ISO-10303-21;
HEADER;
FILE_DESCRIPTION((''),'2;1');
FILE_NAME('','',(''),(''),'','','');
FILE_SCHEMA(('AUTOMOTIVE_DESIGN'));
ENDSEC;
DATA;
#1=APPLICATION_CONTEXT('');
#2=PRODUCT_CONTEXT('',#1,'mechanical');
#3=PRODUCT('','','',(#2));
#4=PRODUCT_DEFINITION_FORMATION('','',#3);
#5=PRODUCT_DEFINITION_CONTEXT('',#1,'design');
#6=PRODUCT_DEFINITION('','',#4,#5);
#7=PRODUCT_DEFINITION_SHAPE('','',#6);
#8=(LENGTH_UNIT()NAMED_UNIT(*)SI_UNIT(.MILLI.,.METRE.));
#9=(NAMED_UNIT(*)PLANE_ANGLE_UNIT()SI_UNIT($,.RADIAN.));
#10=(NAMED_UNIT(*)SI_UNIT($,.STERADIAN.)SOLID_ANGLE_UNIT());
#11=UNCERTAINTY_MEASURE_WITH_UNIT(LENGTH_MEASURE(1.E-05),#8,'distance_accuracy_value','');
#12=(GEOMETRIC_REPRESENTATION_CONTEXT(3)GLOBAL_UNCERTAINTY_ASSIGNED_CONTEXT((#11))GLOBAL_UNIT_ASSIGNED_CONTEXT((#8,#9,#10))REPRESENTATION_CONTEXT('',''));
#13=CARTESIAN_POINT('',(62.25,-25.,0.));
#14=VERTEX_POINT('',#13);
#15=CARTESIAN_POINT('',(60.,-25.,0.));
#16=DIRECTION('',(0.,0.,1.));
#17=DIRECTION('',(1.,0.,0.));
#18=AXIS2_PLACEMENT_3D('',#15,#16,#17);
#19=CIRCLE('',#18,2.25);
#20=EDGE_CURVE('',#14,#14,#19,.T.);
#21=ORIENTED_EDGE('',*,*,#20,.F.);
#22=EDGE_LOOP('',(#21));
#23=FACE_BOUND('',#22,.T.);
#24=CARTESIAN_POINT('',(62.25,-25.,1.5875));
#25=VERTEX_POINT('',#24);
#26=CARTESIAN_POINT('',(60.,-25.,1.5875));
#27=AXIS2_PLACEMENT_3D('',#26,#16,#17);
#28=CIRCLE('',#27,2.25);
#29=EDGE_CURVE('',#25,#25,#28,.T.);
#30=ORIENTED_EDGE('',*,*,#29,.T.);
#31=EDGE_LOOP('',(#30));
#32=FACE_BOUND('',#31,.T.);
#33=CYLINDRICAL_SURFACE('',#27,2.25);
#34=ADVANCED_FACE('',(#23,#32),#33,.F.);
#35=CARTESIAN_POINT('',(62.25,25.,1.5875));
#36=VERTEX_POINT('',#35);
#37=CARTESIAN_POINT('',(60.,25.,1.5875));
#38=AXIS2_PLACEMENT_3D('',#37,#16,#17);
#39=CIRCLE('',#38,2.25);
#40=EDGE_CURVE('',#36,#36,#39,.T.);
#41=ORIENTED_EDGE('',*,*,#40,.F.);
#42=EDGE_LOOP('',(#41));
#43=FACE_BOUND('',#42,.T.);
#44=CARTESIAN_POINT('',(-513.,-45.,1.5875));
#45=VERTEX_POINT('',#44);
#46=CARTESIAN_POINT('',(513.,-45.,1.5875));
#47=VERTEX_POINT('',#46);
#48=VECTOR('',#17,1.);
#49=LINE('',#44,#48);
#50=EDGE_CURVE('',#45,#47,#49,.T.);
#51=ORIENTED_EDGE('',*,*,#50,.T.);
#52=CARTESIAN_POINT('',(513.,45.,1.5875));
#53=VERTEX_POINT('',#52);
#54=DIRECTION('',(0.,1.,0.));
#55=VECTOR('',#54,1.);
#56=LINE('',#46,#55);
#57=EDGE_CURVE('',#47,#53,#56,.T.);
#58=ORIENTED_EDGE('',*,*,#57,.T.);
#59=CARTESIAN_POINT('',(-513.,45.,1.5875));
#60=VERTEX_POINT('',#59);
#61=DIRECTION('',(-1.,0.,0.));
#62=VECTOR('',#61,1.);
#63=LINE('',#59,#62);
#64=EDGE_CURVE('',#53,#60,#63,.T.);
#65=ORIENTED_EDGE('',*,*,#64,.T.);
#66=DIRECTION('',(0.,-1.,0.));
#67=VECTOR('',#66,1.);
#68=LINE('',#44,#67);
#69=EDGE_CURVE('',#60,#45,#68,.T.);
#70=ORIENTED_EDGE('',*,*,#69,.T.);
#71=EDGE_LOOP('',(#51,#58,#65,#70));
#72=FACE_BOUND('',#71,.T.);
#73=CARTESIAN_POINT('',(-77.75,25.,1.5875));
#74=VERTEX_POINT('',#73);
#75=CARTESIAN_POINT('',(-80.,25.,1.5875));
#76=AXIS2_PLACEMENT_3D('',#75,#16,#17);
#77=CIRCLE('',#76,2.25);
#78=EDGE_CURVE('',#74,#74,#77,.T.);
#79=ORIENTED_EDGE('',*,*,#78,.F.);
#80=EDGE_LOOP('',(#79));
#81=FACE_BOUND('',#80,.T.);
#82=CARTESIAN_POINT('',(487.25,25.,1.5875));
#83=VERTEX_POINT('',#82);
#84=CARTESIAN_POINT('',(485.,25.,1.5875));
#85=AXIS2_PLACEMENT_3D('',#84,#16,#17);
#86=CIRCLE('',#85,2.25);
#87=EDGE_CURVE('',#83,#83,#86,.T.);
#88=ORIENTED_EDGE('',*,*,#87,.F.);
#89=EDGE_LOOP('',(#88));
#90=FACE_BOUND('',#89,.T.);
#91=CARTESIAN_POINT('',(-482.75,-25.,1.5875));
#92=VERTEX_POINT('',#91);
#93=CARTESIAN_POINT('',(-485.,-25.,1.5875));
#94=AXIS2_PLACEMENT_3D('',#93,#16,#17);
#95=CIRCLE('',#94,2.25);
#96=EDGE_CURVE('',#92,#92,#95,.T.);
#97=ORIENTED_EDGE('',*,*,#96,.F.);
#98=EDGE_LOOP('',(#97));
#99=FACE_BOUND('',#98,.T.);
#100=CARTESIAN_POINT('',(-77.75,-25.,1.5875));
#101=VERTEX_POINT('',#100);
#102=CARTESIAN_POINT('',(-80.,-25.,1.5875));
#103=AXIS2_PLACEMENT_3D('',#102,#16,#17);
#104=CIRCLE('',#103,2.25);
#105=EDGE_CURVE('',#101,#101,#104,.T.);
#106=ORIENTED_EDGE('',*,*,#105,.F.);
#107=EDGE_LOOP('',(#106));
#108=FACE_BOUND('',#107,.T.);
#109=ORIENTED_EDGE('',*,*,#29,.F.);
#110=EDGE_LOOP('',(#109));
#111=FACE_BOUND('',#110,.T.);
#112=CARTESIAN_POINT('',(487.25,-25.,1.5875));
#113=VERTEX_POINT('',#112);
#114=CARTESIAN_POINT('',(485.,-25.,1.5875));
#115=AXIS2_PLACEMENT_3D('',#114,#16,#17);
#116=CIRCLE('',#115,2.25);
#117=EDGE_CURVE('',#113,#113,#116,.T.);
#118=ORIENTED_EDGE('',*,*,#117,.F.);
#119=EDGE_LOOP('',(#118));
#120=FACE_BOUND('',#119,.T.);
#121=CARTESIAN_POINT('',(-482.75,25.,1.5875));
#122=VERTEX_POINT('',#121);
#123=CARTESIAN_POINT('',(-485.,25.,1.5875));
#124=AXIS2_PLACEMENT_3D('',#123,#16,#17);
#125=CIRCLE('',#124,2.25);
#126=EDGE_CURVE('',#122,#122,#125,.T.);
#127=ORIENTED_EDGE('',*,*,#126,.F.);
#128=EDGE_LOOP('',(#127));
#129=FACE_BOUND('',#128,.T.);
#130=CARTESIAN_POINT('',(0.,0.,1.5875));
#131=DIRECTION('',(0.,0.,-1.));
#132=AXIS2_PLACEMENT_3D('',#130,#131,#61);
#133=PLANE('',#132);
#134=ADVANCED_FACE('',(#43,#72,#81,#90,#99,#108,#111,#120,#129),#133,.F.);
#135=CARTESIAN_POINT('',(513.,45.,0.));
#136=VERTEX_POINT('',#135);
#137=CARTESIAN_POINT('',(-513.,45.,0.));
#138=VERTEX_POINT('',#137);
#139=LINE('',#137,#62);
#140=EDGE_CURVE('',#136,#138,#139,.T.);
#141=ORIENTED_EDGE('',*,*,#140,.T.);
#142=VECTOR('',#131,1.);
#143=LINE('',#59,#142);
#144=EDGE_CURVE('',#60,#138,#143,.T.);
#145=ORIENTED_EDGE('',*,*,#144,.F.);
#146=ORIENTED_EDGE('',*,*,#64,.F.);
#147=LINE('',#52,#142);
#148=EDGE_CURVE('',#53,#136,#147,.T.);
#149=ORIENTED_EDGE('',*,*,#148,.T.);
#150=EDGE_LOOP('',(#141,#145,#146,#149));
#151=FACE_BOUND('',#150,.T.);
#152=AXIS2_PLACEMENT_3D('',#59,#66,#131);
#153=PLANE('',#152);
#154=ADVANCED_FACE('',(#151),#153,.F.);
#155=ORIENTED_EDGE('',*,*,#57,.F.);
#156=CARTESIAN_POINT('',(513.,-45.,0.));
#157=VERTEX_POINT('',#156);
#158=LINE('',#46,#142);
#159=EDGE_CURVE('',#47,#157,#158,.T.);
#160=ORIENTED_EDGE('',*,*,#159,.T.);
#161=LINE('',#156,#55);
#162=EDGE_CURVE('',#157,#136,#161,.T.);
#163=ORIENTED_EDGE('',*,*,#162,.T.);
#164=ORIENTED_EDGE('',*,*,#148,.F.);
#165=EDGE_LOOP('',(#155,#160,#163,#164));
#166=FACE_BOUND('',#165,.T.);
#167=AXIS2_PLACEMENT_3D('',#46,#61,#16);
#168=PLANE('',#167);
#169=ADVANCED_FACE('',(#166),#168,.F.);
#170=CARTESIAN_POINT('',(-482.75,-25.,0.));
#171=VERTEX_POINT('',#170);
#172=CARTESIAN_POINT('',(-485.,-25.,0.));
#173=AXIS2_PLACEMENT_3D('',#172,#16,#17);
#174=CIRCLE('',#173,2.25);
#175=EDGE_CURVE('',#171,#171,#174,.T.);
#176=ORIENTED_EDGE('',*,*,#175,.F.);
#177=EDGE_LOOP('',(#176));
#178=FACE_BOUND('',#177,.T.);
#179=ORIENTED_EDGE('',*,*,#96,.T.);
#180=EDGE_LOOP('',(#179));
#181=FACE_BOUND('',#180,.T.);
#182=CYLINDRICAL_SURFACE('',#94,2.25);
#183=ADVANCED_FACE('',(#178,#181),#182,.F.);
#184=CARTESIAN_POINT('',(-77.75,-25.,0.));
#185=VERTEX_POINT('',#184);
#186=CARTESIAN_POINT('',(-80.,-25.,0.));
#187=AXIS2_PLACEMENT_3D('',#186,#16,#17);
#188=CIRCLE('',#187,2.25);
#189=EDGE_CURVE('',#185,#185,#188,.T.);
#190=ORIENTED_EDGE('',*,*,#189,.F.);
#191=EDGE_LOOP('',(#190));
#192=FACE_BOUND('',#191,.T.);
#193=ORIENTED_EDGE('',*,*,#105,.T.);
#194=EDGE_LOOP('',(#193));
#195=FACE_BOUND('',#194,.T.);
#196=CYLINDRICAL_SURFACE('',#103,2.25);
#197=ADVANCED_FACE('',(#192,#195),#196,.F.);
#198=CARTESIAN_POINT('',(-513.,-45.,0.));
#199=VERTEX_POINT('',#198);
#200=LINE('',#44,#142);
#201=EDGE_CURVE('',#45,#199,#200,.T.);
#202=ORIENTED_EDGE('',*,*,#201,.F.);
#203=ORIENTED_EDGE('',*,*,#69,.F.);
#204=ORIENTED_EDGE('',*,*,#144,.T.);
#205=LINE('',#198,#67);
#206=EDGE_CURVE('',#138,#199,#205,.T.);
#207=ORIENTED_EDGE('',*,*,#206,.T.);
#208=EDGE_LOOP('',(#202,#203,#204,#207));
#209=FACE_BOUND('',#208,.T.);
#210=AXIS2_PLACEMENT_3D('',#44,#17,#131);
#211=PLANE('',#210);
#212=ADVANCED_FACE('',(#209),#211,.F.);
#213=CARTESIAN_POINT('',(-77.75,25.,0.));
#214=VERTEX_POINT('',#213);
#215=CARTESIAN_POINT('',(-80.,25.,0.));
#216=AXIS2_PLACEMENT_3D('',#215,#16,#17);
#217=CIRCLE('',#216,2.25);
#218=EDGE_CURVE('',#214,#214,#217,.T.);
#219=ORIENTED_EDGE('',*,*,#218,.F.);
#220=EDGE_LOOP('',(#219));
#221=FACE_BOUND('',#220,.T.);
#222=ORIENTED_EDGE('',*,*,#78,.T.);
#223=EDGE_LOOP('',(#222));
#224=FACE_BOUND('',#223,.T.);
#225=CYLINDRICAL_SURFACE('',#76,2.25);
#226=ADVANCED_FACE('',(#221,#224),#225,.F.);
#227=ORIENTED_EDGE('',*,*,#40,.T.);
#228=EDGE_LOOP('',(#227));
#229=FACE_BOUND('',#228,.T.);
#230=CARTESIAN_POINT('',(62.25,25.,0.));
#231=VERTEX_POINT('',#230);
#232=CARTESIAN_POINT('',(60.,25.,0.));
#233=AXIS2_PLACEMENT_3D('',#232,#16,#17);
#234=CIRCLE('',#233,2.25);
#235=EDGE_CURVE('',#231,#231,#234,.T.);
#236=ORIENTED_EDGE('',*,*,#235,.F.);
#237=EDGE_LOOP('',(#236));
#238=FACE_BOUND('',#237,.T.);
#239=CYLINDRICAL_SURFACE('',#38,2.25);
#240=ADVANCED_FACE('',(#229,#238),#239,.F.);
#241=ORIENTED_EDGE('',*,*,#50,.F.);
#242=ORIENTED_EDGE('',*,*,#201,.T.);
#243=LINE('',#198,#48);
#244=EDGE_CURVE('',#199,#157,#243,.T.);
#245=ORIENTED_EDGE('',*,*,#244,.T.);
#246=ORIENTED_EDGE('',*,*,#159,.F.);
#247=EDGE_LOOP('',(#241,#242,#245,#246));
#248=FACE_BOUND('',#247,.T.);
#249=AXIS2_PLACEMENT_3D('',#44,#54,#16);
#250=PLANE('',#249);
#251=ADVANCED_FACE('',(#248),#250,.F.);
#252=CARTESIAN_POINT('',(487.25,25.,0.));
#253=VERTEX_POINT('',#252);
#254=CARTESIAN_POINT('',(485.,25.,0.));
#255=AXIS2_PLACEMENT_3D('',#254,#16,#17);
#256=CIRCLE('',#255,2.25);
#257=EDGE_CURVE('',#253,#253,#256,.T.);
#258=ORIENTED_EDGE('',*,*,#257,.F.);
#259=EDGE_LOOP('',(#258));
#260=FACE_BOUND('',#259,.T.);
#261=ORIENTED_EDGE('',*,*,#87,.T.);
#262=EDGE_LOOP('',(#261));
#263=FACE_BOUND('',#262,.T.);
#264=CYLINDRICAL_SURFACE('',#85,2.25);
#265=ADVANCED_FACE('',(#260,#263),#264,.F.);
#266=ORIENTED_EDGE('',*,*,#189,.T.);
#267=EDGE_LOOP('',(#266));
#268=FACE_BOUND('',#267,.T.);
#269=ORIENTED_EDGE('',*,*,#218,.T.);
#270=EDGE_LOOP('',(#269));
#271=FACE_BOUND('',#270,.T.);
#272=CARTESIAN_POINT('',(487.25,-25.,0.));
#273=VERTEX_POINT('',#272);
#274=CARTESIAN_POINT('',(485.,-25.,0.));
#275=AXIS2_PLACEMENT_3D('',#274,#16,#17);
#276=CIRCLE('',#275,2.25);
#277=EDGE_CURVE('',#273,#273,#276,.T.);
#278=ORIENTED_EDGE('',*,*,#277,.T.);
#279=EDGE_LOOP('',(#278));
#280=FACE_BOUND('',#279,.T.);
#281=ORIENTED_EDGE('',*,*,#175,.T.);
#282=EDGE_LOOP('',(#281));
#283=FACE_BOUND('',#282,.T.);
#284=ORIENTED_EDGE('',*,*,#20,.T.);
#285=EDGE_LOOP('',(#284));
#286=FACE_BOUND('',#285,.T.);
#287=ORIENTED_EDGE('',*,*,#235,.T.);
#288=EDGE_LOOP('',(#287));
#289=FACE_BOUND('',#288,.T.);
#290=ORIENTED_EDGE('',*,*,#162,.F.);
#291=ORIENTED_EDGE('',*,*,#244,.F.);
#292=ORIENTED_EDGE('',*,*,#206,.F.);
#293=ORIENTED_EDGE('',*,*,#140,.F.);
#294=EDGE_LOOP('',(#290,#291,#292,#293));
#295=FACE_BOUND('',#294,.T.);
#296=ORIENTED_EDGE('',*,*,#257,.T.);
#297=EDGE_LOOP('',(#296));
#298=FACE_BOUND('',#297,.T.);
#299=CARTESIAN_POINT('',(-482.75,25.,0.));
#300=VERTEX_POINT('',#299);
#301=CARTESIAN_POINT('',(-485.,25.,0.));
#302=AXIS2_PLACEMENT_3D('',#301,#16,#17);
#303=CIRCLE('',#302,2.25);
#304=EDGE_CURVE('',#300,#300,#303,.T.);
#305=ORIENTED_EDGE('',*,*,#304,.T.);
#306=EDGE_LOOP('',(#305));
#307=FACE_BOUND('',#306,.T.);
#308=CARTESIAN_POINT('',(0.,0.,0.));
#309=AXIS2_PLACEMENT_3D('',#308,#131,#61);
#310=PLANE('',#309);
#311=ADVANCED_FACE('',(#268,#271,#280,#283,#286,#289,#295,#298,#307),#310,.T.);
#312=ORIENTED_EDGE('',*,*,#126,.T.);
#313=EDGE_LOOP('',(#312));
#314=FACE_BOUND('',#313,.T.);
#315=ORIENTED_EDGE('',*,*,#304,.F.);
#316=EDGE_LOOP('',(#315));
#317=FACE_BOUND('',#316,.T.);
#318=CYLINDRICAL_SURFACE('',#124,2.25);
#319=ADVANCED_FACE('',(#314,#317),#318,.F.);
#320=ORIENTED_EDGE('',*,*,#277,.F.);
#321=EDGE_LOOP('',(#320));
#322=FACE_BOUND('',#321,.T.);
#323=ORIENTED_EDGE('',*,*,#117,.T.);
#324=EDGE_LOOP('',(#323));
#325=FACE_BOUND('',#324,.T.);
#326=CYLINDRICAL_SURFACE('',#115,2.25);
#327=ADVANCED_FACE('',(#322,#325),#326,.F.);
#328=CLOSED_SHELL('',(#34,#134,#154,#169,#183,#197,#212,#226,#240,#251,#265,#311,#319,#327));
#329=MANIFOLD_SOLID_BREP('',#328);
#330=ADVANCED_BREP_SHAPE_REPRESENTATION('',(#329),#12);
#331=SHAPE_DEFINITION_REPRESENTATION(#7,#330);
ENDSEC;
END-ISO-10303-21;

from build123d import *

# Parameters (mm, degrees)
SKETCH1_W            = 1026
SKETCH1_H            = 90
BOSS_EXTRUDE1_DEPTH  = 1.5875
M4_CLEARANCE_HOLE1_D = 4.5


with BuildPart() as part:
    # Sketch1 → Boss-Extrude1 (new body)
    with BuildSketch(Plane.XY):
        Rectangle(SKETCH1_W, SKETCH1_H)
    extrude(amount=BOSS_EXTRUDE1_DEPTH)

    # M4 Clearance Hole1 (through all)
    with Locations(Plane.XY.offset(1.5875)):
        with Locations((-485, 25), (-485, -25), (485, -25), (485, 25), (-80, 25), (-80, -25), (60, 25), (60, -25)):
            Hole(M4_CLEARANCE_HOLE1_D / 2)


solid = part.part
